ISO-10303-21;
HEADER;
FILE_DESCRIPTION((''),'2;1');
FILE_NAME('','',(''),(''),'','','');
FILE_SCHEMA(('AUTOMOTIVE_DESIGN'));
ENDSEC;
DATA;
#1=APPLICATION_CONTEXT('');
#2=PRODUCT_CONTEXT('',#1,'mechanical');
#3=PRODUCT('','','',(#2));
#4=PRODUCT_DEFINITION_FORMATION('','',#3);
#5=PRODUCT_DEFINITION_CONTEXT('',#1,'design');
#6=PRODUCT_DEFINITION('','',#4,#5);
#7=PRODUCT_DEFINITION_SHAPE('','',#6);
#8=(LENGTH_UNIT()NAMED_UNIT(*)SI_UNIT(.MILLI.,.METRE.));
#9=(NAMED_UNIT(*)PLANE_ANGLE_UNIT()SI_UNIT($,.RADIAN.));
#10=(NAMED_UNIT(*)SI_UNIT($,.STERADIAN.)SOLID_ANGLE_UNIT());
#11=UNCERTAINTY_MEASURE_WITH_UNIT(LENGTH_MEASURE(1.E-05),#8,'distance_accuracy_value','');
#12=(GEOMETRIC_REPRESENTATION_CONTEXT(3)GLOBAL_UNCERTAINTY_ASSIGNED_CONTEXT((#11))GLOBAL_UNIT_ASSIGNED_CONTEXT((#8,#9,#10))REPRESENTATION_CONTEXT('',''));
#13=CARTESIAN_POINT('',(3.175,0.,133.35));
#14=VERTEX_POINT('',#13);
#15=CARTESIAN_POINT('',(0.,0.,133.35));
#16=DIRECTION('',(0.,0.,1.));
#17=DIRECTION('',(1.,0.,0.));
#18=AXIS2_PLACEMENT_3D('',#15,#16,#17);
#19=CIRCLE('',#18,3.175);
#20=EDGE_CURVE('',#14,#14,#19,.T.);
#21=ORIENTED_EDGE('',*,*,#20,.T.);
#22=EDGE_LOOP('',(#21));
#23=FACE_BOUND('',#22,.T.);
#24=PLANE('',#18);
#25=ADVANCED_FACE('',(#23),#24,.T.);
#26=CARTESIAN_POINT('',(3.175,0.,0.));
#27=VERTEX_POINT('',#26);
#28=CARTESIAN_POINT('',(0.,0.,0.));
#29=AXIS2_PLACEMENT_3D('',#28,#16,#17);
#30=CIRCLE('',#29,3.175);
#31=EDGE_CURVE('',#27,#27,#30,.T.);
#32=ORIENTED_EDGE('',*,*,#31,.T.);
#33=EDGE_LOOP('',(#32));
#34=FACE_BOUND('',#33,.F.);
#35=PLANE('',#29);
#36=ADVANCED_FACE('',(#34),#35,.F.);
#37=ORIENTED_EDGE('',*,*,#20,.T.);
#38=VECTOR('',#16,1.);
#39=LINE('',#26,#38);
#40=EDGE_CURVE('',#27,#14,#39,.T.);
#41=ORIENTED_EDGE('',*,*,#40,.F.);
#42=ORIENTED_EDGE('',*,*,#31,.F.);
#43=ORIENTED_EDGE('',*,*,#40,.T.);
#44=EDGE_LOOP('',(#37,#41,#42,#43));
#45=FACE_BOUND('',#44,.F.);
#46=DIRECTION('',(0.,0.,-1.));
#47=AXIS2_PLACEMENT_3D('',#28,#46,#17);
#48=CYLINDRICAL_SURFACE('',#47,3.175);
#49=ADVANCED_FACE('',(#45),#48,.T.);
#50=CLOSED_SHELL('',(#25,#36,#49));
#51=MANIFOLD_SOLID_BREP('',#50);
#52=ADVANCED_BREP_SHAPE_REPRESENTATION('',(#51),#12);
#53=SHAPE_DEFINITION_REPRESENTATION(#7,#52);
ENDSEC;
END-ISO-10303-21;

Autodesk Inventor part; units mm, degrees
ref_plane "YZ Plane" through (0, 0, 0) normal (1, 0, 0) x (0, 1, 0)
ref_plane "XZ Plane" through (0, 0, 0) normal (0, 1, 0) x (-1, 0, 0)
ref_plane "XY Plane" through (0, 0, 0) normal (0, 0, 1) x (1, 0, 0)
sketch "Sketch1" plane through (0, 0, 0) normal (0, 0, 1) x (1, 0, 0)
  circle A0 centre (0, 0) radius 3.175
  dimension "d0" = 6.35
extrude "Extrusion1" add sketch "Sketch1" along normal blind 133.35
properties part number "SpoolAxle" material "Stainless Steel"
